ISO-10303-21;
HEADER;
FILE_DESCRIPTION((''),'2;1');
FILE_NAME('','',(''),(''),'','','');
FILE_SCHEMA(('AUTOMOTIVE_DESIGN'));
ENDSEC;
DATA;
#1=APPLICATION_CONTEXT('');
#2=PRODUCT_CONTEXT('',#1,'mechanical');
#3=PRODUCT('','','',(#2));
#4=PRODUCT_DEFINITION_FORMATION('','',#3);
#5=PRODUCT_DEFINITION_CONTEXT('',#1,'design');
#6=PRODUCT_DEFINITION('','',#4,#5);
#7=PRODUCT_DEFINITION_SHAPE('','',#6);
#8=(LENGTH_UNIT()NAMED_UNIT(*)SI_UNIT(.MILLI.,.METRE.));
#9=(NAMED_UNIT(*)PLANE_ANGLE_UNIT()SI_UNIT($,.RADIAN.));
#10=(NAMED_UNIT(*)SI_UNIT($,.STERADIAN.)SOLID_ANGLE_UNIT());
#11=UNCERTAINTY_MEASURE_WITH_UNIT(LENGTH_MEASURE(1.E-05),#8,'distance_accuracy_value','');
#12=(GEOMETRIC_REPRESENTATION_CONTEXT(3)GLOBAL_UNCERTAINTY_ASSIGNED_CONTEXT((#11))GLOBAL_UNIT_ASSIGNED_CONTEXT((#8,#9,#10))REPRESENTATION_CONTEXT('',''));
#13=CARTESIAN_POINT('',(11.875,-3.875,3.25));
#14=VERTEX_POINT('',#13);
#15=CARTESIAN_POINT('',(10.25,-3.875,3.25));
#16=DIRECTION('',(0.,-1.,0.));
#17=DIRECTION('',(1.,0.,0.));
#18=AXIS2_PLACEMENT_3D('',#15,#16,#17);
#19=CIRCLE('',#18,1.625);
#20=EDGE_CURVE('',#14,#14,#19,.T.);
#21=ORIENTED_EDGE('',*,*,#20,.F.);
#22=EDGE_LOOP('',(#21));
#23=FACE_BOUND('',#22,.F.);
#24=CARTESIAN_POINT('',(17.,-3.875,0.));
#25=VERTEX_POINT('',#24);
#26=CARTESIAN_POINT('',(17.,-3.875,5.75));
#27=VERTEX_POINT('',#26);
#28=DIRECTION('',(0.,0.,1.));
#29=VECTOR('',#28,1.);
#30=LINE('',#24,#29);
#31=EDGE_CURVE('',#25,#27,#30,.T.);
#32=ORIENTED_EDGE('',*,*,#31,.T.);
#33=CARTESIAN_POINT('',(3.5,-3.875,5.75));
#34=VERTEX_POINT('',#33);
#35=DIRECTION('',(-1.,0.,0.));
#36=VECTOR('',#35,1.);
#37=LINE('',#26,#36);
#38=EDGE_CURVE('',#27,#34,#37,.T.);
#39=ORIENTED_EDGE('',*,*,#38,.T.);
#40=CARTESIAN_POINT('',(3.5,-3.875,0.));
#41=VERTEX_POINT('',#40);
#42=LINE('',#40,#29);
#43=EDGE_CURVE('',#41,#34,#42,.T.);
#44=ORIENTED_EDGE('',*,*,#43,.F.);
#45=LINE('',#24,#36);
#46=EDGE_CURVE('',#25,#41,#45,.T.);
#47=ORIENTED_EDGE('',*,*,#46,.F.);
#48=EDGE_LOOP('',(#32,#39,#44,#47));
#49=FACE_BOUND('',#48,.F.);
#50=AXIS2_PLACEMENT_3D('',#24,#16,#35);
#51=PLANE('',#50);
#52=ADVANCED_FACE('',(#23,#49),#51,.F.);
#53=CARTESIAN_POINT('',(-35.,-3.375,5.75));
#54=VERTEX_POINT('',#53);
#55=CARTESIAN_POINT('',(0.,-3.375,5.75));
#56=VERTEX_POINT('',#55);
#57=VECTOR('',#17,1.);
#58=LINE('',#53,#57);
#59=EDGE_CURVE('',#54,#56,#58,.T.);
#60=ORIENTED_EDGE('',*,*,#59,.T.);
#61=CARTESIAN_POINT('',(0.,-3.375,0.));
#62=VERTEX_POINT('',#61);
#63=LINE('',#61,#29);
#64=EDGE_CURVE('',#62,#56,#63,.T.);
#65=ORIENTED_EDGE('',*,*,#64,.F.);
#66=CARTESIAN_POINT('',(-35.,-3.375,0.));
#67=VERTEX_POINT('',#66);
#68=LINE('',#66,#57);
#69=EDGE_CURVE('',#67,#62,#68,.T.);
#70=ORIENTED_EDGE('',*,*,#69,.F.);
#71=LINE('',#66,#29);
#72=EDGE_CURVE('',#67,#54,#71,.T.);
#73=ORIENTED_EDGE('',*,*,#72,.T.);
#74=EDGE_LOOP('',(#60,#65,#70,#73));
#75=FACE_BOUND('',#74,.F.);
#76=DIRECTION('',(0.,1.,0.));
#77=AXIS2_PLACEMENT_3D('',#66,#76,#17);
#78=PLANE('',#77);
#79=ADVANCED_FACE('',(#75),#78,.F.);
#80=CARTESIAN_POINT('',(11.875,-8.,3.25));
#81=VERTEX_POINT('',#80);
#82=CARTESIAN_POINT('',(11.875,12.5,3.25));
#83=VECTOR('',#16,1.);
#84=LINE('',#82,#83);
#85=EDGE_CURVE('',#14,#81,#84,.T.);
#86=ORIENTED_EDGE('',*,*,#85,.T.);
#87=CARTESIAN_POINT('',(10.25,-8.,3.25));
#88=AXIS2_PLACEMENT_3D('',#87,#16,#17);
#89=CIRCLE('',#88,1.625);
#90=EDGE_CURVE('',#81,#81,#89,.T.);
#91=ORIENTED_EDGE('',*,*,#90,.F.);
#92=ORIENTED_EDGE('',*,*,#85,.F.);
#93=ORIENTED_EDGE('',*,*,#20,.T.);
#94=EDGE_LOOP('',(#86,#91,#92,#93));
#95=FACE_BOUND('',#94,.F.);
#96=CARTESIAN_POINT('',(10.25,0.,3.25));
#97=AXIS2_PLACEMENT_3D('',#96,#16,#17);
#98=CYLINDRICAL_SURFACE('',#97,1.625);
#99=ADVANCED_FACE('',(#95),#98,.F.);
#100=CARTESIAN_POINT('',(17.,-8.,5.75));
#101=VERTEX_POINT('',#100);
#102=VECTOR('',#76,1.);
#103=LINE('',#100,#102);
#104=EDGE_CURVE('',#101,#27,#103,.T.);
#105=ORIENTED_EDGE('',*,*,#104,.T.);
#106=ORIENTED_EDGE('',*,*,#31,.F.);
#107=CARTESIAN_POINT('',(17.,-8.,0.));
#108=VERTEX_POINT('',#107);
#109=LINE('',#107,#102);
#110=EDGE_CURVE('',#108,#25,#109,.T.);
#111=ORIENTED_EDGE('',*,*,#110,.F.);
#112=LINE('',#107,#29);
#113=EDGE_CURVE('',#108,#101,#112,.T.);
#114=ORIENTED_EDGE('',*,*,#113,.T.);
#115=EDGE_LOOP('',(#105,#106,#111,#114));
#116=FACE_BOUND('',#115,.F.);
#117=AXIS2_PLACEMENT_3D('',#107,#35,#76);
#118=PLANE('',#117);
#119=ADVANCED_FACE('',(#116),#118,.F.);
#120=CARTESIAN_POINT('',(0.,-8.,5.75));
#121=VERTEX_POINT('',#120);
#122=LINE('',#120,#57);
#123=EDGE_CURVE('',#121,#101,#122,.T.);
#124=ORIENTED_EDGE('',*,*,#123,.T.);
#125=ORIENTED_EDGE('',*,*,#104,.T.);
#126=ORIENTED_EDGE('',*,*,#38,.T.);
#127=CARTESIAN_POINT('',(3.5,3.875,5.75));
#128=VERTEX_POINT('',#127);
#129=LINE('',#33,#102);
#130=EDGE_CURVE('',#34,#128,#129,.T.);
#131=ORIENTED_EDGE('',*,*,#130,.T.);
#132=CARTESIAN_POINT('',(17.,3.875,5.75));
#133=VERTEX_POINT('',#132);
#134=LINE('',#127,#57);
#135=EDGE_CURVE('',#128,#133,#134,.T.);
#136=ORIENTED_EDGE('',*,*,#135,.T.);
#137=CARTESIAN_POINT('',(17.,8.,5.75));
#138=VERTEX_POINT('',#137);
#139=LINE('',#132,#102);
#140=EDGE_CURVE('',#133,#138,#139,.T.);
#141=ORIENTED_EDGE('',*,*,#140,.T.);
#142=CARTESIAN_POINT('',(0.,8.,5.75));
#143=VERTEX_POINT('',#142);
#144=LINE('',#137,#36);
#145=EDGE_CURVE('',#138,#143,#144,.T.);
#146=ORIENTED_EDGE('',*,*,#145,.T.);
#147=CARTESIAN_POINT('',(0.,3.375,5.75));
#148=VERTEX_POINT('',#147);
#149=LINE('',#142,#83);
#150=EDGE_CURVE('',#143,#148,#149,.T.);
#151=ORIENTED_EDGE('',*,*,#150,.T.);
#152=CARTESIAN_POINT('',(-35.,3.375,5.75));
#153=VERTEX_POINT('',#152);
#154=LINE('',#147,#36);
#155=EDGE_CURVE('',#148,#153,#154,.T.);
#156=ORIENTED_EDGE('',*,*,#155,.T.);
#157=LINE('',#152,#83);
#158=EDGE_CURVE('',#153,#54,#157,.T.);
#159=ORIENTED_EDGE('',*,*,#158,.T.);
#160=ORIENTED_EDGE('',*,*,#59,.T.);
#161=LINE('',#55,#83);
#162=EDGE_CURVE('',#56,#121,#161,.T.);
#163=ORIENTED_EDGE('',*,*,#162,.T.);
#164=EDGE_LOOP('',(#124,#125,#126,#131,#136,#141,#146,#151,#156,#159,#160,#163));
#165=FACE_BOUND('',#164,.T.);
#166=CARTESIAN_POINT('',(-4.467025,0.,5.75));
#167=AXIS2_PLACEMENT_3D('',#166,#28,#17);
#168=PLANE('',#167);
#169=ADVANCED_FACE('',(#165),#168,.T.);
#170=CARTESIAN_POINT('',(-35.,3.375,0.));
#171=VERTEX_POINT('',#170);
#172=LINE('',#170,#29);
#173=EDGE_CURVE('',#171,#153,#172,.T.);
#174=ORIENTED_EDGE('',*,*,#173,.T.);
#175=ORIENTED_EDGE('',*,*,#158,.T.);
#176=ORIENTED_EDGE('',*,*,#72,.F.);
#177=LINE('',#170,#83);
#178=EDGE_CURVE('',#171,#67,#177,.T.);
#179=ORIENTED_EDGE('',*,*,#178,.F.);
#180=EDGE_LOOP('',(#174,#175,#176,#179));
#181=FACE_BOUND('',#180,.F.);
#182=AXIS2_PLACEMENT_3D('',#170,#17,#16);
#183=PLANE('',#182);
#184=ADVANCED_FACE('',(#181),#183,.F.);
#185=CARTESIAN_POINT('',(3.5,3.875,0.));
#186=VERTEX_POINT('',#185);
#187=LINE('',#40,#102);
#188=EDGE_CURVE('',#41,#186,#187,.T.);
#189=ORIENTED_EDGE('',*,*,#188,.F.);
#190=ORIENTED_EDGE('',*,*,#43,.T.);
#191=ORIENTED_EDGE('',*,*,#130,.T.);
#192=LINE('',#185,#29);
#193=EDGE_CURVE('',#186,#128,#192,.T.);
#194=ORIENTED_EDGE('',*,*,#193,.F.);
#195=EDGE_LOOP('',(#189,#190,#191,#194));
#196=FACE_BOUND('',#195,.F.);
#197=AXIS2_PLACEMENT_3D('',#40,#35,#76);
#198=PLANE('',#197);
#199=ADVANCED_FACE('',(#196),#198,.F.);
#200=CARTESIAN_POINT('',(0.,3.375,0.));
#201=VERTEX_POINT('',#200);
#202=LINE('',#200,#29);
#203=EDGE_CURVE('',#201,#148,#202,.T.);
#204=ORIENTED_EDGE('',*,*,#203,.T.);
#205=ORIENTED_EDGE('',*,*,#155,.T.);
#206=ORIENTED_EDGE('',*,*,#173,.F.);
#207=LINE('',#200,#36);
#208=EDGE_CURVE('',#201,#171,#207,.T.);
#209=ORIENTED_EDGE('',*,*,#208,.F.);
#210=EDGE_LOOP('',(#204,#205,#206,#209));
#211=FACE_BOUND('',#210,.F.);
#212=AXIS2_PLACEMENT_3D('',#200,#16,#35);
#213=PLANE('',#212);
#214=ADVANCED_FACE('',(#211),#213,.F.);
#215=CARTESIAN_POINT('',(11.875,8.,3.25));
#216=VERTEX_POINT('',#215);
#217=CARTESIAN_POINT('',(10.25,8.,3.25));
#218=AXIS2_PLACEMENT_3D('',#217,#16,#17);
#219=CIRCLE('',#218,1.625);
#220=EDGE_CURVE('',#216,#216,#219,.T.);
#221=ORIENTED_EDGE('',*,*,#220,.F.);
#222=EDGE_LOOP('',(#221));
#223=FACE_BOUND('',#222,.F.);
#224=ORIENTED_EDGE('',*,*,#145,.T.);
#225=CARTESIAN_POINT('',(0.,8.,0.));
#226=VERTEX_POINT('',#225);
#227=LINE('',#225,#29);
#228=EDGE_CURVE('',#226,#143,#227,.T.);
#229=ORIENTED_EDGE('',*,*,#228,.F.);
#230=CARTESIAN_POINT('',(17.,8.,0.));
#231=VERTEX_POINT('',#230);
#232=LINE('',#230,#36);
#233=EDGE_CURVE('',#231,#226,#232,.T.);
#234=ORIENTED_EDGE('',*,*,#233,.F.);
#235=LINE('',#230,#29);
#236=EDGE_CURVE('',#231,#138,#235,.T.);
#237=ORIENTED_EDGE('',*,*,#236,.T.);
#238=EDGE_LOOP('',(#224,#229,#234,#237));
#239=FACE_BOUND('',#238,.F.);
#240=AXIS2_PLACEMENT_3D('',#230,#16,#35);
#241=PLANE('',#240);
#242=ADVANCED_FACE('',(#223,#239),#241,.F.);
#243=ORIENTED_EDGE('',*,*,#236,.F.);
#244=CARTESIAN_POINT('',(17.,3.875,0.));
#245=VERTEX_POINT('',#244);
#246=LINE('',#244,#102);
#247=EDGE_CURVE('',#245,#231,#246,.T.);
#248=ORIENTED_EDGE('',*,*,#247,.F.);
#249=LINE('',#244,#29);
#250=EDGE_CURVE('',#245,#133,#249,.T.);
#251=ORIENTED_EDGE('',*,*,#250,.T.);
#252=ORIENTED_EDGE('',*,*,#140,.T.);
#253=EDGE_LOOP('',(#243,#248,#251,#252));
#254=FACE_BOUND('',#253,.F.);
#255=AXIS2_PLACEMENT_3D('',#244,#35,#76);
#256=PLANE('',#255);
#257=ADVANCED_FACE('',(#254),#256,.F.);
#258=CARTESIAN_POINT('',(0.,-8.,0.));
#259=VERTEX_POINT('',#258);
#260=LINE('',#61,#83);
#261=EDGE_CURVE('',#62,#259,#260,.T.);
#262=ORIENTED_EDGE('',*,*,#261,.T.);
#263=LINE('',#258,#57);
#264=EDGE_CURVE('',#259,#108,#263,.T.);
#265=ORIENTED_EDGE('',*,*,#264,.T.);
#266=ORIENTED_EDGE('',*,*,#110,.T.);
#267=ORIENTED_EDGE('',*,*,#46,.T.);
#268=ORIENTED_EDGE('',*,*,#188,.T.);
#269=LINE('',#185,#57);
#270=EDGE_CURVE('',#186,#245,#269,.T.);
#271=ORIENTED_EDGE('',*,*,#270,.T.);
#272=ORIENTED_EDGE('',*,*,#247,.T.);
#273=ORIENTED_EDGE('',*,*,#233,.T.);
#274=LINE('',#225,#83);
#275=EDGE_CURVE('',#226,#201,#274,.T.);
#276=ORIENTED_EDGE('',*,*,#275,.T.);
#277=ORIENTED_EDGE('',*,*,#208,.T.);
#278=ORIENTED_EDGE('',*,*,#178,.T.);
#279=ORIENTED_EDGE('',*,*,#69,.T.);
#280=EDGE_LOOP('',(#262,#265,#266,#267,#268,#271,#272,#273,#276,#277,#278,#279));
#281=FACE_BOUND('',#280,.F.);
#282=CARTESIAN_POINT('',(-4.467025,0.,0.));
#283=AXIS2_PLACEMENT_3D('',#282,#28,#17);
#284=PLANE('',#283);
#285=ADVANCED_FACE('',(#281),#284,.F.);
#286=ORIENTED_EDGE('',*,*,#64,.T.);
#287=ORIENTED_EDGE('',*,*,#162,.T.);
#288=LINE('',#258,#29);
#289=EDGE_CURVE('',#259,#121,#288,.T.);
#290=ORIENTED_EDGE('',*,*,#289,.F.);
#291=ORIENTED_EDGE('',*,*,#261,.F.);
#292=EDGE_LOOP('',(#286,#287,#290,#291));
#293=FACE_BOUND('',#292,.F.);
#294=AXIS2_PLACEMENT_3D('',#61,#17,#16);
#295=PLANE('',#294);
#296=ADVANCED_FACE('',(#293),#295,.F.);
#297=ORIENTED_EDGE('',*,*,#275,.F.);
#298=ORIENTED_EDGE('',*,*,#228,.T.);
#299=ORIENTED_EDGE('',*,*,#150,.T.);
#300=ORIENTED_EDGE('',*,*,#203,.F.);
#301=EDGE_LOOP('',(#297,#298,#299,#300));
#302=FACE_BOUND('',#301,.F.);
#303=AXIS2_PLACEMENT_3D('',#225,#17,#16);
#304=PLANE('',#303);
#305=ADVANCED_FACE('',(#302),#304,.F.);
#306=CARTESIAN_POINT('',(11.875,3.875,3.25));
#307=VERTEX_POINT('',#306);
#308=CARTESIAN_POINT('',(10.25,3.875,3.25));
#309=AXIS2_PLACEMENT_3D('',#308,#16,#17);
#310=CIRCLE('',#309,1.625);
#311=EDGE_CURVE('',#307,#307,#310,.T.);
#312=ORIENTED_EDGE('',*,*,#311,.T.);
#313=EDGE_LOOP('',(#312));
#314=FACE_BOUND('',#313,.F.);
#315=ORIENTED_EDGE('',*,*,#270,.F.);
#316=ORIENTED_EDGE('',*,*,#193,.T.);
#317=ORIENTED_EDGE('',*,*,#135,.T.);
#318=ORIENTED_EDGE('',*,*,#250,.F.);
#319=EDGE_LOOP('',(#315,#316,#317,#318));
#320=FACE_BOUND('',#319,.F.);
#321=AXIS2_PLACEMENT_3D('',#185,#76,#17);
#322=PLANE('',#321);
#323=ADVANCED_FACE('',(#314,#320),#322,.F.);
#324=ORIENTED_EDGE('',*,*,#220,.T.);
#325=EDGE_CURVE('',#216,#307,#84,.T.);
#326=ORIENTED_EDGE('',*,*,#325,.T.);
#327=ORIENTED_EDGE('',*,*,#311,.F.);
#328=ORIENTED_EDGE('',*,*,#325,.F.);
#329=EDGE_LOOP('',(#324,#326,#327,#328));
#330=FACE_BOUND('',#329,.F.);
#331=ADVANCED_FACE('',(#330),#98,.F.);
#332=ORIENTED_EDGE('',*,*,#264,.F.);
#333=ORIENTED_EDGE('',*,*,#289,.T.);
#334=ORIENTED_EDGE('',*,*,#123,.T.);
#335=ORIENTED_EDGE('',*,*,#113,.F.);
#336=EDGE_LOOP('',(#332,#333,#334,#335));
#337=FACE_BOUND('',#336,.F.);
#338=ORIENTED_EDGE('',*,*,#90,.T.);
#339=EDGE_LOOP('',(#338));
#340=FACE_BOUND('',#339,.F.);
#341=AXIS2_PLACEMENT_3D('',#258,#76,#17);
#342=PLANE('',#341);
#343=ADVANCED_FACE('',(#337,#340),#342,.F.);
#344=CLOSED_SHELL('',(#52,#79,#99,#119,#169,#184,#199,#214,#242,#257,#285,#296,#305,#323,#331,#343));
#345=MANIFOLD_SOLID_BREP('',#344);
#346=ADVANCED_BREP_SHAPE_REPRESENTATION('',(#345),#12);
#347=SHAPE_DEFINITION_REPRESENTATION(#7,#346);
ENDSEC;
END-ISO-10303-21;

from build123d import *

# Parameters (mm, degrees)
F1_DEPTH = 5.75
F2_R     = 1.625
F3_DEPTH = 12.5


with BuildPart() as f1:
    # F0 (on Top) → F1 (new body)
    with BuildSketch(Plane.XY):
        Polygon((0, 3.375), (-35, 3.375), (-35, -3.375), (0, -3.375), (0, -8), (17, -8), (17, -3.875), (3.5, -3.875), (3.5, 3.875), (17, 3.875), (17, 8), (0, 8), align=None)
    extrude(amount=F1_DEPTH)

    # F2 (on Front) → F3 (cut, symmetric)
    with BuildSketch(Plane.XZ):
        with Locations((10.25, 3.25)):
            Circle(F2_R)
    extrude(amount=F3_DEPTH, both=True, mode=Mode.SUBTRACT)


solid = f1.part
